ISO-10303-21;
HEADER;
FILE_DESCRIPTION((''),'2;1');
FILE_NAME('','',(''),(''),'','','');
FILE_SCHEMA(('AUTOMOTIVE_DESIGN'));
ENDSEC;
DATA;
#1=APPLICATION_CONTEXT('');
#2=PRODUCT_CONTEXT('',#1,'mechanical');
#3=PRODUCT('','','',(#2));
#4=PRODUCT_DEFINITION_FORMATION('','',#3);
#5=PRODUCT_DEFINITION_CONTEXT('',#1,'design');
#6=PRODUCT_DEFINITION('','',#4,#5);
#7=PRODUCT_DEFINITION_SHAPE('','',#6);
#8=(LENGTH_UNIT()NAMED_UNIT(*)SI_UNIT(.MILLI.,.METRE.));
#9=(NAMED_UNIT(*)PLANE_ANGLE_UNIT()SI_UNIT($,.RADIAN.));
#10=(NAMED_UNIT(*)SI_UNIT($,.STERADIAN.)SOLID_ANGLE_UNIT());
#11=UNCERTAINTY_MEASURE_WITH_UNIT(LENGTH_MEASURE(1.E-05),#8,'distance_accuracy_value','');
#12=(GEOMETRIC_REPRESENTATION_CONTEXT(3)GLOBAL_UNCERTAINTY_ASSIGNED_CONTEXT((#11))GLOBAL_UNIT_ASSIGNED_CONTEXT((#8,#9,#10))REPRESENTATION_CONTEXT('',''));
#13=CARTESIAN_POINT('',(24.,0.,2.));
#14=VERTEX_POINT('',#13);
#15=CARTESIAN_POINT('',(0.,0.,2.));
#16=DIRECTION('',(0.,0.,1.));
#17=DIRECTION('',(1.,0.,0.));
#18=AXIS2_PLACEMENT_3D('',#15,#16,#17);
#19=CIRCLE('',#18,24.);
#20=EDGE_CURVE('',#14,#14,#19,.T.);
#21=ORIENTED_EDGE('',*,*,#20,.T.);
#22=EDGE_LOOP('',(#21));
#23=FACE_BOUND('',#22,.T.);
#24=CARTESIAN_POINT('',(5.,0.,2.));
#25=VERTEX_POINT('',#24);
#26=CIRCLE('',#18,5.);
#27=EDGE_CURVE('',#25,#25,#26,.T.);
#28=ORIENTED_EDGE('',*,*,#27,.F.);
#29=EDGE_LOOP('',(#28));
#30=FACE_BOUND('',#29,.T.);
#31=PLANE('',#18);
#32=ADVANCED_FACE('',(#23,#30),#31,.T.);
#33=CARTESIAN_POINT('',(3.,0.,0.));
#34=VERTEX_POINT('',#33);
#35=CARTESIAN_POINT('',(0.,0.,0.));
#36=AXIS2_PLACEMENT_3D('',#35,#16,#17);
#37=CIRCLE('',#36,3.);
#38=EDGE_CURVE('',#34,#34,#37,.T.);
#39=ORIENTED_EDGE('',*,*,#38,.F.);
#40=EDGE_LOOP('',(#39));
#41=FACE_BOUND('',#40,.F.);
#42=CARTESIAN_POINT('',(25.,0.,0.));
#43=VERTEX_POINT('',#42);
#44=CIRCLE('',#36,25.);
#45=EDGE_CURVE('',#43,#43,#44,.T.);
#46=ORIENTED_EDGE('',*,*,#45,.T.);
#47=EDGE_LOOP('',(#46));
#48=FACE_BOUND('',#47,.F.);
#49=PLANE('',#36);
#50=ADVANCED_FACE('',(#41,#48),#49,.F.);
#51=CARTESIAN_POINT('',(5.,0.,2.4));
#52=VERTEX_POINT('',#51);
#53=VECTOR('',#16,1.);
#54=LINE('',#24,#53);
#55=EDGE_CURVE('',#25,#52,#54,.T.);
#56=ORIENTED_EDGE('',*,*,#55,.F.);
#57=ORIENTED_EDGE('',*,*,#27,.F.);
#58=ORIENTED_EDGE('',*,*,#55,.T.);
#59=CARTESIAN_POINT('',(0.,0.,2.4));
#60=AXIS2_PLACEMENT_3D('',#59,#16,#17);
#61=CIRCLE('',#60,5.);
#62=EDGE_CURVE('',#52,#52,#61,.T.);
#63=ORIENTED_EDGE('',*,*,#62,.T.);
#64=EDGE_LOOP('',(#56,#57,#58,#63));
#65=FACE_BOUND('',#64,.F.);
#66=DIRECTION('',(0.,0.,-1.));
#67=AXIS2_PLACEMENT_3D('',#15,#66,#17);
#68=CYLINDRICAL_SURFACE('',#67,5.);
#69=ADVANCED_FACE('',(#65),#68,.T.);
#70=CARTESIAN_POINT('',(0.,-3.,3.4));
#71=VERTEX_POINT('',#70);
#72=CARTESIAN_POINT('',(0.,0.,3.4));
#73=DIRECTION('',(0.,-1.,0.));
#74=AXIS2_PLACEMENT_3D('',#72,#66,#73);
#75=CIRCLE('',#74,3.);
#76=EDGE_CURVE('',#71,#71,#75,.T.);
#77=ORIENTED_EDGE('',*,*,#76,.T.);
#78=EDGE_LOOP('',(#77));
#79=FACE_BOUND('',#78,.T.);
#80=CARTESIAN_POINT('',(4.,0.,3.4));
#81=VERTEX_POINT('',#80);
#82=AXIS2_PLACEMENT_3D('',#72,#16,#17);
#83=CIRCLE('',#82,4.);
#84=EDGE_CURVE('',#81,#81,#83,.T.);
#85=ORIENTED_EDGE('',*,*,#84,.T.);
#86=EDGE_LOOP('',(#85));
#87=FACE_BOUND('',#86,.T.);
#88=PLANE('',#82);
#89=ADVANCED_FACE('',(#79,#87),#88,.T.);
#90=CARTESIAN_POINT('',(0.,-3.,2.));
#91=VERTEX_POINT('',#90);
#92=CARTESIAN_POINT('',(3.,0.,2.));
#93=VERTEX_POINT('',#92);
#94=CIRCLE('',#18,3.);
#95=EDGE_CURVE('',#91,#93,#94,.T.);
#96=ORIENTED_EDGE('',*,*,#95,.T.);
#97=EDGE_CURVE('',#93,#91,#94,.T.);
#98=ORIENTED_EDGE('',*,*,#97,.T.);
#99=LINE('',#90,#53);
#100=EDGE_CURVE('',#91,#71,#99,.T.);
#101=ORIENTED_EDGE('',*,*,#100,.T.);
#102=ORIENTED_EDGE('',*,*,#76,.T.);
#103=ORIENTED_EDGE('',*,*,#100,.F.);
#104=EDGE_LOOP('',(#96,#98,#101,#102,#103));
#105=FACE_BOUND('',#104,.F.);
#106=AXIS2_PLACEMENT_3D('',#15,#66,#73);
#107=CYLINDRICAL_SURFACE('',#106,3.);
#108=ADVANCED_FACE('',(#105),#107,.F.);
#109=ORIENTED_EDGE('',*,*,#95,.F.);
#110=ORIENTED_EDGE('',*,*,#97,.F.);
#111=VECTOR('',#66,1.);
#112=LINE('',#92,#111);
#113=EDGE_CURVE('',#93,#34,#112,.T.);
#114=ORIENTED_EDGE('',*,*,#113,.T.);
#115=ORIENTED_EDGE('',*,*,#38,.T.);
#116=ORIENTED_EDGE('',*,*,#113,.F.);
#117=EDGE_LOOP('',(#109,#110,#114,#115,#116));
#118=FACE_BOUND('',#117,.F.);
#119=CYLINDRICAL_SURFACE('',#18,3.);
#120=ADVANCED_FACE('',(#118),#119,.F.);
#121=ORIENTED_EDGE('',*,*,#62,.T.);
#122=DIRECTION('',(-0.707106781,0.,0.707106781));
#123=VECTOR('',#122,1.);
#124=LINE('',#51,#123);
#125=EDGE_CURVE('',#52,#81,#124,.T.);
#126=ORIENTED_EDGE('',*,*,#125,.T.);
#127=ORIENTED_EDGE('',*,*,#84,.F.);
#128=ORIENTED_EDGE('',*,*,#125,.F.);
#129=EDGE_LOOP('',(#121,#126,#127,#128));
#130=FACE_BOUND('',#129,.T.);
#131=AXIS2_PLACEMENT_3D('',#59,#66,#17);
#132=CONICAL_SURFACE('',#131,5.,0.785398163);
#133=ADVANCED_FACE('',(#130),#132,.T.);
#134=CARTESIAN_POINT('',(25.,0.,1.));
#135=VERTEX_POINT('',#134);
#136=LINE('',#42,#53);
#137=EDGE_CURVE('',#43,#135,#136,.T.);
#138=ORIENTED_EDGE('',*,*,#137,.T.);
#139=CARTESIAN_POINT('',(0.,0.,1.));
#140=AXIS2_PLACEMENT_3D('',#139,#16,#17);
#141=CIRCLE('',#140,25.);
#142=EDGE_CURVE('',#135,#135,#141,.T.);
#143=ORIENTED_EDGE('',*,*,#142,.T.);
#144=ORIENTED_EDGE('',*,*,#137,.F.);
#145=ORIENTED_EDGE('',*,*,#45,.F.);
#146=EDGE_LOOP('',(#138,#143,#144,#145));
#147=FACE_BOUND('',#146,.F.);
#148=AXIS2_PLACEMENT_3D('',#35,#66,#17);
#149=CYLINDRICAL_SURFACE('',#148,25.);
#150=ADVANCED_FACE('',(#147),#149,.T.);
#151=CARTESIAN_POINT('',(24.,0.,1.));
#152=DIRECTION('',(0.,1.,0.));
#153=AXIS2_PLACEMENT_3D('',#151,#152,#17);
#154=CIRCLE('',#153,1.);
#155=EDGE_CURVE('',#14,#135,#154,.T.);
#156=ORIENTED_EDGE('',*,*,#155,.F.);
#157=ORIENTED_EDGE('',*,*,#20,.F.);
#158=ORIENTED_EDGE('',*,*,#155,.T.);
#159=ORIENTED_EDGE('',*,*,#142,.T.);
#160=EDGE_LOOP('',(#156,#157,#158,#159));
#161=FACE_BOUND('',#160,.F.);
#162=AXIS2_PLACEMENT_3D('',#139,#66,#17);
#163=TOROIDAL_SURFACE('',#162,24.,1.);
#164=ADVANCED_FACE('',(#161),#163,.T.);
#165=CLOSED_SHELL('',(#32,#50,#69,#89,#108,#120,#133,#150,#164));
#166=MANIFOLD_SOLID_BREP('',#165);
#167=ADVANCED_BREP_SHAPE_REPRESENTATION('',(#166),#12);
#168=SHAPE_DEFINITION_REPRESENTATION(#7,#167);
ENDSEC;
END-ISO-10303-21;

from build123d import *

# Parameters (mm, degrees)
SKETCH_R        = 25
PAD_DEPTH       = 2
SKETCH001_R     = 3
POCKET_DEPTH    = 5
SKETCH002_R     = 5
PAD001_DEPTH    = 1.4
PAD001_FACE6_R  = 3
POCKET001_DEPTH = 5
FILLET_R        = 1
CHAMFER_SIZE    = 1


with BuildPart() as part:
    # Sketch → Pad (new body)
    with BuildSketch(Plane.XY):
        Circle(SKETCH_R)
    extrude(amount=PAD_DEPTH)

    # Sketch001 (on Face3 of Pad) → Pocket (cut)
    with BuildSketch(Plane.XY.offset(2)):
        Circle(SKETCH001_R)
    extrude(amount=-POCKET_DEPTH, mode=Mode.SUBTRACT)

    # Sketch002 (on Face3 of Pocket) → Pad001 (join)
    with BuildSketch(Plane.XY.offset(2)):
        Circle(SKETCH002_R)
    extrude(amount=PAD001_DEPTH)

    # Pad001 Face6 → Pocket001 (cut)
    with BuildSketch(Plane(origin=(0, 0, 2), x_dir=(0, -1, 0), z_dir=(0, 0, -1))):
        Circle(PAD001_FACE6_R)
    extrude(amount=-POCKET001_DEPTH, mode=Mode.SUBTRACT)

    # Fillet
    fillet_edges = [part.edges().sort_by_distance(p)[0] for p in [
        (-25, 0, 2),
    ]]
    fillet(fillet_edges, radius=FILLET_R)

    # Chamfer
    chamfer_edges = [part.edges().sort_by_distance(p)[0] for p in [
        (-5, 0, 3.4),
    ]]
    chamfer(chamfer_edges, length=CHAMFER_SIZE)


solid = part.part
